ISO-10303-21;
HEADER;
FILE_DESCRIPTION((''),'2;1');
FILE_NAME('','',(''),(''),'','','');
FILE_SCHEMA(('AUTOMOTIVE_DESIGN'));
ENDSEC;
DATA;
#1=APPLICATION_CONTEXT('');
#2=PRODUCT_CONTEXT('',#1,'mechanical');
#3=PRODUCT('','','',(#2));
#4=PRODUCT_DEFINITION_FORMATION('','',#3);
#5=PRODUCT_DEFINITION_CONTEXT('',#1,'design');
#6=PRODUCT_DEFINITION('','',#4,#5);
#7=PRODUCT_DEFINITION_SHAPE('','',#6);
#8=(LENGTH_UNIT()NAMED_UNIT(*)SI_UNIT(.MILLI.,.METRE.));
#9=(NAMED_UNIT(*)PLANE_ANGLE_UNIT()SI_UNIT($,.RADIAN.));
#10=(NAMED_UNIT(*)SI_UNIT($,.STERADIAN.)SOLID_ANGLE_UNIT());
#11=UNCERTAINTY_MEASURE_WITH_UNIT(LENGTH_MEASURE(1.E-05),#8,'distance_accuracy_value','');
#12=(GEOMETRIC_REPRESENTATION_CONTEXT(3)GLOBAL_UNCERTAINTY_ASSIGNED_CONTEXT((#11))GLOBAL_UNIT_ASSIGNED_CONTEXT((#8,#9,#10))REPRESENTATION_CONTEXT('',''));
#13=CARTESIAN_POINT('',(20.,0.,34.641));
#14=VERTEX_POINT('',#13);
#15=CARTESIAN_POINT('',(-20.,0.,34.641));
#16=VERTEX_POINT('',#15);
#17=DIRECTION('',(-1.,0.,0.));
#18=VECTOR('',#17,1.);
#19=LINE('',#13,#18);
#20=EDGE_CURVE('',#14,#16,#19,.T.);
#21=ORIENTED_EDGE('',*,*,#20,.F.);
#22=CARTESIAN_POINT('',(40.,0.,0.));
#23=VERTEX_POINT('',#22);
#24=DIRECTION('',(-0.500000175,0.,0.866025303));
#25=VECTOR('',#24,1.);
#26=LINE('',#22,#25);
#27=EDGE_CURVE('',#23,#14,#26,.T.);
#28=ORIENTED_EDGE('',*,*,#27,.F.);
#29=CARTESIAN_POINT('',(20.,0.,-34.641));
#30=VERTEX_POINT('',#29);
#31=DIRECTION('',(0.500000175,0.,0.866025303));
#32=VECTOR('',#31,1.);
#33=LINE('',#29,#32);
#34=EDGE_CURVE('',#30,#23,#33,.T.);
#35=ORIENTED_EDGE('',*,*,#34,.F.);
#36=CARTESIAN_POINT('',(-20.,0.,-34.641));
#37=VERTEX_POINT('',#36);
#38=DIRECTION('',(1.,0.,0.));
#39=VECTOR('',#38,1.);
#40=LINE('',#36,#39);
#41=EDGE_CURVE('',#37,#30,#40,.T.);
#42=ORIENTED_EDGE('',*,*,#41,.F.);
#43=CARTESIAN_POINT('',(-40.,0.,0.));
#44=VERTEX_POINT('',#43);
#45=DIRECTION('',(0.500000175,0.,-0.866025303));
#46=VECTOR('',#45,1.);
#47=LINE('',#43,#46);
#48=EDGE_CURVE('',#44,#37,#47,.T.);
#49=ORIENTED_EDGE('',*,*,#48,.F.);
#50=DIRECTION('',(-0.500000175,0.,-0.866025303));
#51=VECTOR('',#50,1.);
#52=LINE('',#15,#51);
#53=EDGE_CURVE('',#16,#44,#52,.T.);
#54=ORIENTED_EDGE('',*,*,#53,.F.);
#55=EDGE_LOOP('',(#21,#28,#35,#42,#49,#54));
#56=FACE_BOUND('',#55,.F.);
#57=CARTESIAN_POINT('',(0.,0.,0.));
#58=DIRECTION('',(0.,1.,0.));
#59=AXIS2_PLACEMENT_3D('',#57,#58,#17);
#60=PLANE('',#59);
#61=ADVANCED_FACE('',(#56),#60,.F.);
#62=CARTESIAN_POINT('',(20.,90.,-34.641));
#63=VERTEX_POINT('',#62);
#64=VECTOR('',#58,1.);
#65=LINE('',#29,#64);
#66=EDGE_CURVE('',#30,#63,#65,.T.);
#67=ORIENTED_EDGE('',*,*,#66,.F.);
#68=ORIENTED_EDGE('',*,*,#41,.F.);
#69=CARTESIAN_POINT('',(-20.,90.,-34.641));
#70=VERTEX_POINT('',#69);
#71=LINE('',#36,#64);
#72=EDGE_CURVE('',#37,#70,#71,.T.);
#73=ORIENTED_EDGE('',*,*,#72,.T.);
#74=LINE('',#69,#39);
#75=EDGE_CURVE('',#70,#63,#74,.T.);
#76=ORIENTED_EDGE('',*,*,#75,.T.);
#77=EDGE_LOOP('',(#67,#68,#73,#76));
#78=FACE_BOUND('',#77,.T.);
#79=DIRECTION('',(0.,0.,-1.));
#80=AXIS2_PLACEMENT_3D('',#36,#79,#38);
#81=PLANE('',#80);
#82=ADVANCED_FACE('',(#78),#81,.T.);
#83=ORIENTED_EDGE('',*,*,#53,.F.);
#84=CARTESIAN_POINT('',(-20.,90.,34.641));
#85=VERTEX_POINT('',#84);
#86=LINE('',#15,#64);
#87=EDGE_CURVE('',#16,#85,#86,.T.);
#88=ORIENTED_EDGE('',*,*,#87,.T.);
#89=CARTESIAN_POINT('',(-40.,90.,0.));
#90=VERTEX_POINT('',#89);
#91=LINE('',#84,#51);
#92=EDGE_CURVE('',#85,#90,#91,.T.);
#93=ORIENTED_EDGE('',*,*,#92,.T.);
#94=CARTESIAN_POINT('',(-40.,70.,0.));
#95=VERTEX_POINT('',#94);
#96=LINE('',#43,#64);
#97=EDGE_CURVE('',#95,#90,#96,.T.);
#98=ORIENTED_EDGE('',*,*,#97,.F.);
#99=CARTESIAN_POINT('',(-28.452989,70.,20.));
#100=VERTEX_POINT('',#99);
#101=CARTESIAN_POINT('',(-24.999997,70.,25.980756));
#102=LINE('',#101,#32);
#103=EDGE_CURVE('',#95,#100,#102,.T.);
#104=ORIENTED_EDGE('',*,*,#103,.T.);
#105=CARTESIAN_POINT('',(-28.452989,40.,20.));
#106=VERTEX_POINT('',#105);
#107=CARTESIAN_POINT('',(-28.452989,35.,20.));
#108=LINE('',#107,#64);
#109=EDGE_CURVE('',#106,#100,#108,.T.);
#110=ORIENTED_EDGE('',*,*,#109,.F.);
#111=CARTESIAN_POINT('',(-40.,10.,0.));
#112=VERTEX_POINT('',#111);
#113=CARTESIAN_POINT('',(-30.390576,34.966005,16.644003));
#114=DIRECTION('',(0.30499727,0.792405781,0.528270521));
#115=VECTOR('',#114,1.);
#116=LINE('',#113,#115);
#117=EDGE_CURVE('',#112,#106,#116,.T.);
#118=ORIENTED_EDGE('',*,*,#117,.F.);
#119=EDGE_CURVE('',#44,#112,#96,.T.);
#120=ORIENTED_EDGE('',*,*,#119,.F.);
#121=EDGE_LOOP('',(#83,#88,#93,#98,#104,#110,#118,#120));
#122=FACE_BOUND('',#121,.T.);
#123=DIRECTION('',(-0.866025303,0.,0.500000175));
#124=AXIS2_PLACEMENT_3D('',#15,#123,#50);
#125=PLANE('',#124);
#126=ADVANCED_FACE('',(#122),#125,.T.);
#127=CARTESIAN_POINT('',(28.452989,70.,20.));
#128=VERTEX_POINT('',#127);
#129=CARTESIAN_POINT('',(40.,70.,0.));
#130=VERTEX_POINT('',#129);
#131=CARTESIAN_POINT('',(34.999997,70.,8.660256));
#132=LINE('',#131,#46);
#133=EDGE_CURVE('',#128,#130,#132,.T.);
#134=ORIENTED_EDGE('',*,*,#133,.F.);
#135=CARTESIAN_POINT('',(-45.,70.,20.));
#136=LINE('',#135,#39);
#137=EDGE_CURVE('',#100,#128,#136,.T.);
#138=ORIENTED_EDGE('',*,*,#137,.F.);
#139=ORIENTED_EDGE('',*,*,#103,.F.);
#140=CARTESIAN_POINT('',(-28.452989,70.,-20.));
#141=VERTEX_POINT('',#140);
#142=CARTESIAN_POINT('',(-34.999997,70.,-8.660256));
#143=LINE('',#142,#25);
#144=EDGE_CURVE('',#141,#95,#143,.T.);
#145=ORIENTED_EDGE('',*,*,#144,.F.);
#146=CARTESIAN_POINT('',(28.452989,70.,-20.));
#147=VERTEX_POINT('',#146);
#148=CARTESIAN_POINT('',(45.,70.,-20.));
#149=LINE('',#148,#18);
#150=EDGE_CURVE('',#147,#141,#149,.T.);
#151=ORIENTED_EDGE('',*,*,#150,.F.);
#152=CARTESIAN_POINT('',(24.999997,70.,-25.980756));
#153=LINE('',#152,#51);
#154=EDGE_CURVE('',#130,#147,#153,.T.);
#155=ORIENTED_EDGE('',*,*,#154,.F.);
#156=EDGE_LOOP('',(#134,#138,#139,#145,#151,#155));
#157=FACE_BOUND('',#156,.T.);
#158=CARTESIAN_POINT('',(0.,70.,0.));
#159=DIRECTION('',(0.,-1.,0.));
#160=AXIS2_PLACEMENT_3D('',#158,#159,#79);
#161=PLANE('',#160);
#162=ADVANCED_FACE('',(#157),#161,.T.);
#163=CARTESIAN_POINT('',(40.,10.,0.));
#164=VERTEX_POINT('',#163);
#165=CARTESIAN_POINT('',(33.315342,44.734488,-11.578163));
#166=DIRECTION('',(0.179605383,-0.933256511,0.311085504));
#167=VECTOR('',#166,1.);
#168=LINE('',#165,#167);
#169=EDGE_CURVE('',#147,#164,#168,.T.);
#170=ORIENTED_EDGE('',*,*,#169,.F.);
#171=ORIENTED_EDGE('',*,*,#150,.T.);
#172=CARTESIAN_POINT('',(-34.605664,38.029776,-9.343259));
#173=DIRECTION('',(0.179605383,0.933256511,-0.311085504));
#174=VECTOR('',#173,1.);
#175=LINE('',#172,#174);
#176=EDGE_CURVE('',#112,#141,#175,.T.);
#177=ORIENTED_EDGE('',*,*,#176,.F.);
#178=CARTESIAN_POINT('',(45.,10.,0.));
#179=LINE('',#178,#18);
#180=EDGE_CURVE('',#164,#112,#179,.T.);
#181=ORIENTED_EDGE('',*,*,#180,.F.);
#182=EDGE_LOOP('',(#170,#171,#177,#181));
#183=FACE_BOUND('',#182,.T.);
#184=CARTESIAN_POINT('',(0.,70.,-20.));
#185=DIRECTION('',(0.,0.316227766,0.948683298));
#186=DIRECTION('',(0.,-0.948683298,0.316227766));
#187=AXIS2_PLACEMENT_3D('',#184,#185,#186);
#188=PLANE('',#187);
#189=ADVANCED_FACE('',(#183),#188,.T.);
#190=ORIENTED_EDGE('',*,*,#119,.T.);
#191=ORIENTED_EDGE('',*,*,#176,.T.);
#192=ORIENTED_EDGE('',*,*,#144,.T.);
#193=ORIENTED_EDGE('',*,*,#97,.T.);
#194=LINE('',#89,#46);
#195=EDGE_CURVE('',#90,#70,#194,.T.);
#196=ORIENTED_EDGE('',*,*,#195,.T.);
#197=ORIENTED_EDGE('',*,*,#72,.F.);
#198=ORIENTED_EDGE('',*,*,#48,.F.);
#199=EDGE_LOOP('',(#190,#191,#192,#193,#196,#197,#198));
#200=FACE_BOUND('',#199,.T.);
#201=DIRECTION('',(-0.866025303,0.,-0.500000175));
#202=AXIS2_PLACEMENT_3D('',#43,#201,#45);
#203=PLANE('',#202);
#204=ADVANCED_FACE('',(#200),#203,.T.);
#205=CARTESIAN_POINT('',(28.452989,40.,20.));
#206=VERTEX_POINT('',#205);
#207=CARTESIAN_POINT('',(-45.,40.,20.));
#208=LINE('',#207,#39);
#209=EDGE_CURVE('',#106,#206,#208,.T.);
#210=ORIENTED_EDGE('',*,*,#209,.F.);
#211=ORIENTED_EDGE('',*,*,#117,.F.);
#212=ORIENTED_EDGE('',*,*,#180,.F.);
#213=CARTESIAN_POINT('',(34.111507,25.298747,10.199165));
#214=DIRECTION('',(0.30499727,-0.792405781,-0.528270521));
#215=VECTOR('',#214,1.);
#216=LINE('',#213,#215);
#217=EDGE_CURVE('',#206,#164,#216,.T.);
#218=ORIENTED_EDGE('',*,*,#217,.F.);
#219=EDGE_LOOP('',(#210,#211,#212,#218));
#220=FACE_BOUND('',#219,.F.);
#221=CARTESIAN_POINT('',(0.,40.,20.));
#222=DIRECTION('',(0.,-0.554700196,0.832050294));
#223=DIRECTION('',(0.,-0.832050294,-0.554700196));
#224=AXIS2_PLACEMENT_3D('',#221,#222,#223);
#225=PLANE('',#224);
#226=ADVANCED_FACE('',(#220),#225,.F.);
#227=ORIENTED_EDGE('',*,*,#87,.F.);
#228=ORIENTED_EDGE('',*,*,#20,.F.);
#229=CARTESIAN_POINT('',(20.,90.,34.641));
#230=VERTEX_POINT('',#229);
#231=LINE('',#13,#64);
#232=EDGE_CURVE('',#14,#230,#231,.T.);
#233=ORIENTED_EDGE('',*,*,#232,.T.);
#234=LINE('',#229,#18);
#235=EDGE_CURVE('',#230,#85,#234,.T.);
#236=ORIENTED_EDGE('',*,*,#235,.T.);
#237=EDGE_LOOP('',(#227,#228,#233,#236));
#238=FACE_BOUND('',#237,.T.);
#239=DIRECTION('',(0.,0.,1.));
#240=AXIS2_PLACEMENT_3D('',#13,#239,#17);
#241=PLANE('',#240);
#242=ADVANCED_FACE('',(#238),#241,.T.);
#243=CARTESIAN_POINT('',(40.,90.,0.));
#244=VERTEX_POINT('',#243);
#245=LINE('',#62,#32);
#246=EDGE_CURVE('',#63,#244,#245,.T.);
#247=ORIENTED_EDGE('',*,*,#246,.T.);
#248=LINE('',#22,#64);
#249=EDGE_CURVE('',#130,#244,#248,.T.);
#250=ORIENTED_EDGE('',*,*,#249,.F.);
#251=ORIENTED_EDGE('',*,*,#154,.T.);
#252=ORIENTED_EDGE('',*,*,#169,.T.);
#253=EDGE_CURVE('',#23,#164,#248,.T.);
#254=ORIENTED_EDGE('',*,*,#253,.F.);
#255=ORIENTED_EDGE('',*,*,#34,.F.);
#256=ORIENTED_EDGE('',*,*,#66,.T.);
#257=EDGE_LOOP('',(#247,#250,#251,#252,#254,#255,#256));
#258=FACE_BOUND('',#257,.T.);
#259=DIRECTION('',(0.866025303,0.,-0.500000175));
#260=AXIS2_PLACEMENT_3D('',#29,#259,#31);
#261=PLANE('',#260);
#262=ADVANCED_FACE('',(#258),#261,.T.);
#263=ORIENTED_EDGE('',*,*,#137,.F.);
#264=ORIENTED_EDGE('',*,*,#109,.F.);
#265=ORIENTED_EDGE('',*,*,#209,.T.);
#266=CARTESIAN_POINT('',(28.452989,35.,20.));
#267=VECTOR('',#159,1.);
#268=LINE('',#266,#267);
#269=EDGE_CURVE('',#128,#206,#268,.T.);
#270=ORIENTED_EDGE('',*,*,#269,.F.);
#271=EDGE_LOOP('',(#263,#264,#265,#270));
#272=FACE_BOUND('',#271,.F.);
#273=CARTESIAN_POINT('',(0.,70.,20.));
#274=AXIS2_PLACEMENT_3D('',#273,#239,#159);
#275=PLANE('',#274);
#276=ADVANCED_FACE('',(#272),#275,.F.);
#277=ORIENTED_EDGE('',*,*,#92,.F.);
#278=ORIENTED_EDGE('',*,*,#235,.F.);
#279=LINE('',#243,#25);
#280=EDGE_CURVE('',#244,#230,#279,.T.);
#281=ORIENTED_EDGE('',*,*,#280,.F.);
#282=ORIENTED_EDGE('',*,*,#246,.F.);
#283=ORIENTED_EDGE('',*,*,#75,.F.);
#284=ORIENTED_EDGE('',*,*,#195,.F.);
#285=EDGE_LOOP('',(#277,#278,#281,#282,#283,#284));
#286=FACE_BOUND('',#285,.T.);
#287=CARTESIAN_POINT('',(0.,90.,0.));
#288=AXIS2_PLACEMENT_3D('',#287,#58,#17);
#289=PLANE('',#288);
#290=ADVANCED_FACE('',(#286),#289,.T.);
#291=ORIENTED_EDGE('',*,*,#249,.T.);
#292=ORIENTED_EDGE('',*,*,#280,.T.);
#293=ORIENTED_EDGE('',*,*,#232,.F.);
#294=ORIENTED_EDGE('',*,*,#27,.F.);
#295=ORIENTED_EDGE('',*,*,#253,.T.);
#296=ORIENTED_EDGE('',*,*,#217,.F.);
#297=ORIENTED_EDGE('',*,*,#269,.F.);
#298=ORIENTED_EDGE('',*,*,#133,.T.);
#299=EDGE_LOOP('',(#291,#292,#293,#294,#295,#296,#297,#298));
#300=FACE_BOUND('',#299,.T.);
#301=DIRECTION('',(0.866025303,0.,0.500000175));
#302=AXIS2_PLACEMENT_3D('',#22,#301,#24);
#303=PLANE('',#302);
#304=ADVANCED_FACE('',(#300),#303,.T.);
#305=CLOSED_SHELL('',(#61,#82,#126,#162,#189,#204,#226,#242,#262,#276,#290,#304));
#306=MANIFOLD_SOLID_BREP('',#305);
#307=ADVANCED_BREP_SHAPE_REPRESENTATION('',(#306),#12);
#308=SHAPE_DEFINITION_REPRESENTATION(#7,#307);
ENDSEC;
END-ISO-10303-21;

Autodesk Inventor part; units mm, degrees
ref_plane "YZ Plane" through (0, 0, 0) normal (1, 0, 0) x (0, 1, 0)
ref_plane "XZ Plane" through (0, 0, 0) normal (0, 1, 0) x (-1, 0, 0)
ref_plane "XY Plane" through (0, 0, 0) normal (0, 0, 1) x (1, 0, 0)
sketch "Эскиз1" plane through (0, 0, 0) normal (0, 1, 0) x (-1, 0, 0)
  circle A0 centre (0, 0) radius 40
  line L0 (40, 0) -> (20, -34.641)
  line L1 (20, -34.641) -> (-20, -34.641)
  line L2 (-20, -34.641) -> (-40, 0)
  line L3 (-40, 0) -> (-20, 34.641)
  line L4 (-20, 34.641) -> (20, 34.641)
  line L5 (20, 34.641) -> (40, 0)
  dimension "d0" = 80
extrude "Выдавливание1" add sketch "Эскиз1" along normal blind 90 contours L0 L1 L2 L3 L4 L5
sketch "Эскиз3" plane through (0, 0, 0) normal (1, 0, 0) x (0, 1, 0)
  line L0 (0, 0) -> (10, 0)
  line L1 (90, 0) -> (70, 0)
  line L2 (70, 0) -> (70, -20)
  line L3 (70, -20) -> (10, 0)
  line L4 (70, 0) -> (70, 20)
  line L5 (70, 20) -> (40, 20)
  line L6 (40, 20) -> (10, 0)
extrude "Выдавливание3" cut sketch "Эскиз3" against normal mid plane 90
